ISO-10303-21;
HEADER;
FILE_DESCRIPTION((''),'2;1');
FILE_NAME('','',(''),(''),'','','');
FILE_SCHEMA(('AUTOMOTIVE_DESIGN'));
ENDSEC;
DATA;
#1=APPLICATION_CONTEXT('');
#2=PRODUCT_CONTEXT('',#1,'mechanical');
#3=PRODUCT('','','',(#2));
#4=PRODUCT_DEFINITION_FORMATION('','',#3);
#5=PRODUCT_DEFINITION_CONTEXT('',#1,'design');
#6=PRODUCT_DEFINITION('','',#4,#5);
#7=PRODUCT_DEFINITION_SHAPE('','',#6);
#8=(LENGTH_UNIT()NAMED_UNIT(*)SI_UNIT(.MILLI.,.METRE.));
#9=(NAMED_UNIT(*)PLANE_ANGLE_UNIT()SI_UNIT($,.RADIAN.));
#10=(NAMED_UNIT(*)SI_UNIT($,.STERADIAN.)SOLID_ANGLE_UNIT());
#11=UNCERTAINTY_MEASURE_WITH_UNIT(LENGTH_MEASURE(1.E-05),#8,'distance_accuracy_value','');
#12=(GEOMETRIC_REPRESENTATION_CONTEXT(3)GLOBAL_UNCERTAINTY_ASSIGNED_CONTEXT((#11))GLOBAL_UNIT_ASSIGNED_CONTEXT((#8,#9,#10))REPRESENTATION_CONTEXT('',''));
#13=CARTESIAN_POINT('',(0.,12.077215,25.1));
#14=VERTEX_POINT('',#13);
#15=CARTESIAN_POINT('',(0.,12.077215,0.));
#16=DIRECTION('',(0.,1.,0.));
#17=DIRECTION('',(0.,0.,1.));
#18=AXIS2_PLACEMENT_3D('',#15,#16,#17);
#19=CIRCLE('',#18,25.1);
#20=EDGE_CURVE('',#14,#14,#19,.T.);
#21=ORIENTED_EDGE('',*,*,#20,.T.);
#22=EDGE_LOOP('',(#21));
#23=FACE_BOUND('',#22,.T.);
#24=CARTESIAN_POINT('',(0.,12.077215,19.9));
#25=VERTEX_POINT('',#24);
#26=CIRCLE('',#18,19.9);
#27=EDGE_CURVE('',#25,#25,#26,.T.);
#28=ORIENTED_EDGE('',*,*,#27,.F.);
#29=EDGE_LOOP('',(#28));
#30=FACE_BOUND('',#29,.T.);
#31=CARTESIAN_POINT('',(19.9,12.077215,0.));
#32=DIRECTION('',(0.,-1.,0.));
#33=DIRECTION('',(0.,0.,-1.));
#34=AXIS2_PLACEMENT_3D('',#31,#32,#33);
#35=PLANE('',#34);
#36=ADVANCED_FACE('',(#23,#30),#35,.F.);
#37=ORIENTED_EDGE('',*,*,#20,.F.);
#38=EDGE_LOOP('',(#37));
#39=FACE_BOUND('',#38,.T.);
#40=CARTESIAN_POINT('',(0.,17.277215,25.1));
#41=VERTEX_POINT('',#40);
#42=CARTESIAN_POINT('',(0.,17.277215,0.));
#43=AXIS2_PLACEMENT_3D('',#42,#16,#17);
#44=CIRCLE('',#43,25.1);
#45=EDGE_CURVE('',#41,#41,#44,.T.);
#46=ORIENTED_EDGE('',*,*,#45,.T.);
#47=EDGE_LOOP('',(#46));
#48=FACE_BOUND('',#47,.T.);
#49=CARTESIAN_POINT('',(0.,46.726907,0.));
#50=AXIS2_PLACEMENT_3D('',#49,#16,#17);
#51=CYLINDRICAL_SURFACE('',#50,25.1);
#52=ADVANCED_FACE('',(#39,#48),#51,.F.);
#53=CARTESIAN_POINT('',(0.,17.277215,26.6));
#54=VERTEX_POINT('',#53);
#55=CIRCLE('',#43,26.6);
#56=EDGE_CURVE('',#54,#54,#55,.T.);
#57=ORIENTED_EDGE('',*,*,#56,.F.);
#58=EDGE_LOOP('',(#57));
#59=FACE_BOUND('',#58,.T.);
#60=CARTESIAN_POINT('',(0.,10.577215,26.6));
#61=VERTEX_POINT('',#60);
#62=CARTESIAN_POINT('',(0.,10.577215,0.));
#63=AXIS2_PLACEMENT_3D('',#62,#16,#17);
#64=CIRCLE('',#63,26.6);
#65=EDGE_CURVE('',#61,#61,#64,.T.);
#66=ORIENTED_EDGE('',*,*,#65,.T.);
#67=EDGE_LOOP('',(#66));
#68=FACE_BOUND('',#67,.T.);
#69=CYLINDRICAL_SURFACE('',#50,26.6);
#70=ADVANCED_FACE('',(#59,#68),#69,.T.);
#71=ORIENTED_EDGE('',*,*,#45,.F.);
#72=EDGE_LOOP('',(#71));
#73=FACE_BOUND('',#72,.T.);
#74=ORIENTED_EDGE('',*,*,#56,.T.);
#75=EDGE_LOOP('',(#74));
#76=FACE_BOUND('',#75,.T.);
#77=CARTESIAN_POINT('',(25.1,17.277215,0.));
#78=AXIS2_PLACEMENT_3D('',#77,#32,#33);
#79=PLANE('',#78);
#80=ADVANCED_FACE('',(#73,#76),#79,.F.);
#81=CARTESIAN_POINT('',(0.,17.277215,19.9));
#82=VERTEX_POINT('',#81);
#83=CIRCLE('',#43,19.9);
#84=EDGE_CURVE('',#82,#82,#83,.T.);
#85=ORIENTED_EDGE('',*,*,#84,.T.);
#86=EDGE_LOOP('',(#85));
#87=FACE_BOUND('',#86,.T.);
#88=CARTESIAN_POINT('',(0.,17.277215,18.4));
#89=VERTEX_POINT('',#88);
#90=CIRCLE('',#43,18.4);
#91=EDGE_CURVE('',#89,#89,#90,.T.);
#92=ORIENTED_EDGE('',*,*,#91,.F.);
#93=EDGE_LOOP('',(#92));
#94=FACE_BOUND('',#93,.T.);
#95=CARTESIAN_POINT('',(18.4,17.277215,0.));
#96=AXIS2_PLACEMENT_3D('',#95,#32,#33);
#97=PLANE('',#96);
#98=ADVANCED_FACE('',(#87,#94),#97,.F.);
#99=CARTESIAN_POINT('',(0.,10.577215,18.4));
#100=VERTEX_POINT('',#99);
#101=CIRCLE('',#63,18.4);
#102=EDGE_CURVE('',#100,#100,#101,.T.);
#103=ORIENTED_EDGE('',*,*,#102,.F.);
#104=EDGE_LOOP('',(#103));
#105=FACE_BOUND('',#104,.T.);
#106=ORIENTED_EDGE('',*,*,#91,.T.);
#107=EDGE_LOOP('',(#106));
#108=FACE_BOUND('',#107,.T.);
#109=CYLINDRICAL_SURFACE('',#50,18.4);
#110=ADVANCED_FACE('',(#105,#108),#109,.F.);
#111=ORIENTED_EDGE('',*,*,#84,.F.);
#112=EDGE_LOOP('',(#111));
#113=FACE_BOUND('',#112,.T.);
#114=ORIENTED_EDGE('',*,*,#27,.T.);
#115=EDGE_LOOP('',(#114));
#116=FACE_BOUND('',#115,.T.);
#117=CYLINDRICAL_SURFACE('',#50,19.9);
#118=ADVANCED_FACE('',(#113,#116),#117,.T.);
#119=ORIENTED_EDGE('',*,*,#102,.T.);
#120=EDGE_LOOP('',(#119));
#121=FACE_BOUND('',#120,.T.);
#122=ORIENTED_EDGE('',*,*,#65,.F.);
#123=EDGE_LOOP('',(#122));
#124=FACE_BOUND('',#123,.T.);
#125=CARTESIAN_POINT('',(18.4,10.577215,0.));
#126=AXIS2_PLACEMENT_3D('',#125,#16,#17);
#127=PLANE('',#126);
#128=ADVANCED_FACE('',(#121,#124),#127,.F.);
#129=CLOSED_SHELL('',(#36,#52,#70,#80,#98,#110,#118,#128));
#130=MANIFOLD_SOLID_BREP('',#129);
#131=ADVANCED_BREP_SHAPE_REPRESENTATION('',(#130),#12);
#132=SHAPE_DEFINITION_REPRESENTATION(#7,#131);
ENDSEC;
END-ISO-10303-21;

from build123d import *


with BuildPart() as part:
    # 草图1 → 旋转1 (revolve)
    with BuildSketch(Plane.XY, mode=Mode.PRIVATE) as revolve_1_sk:
        Polygon((19.9, 17.277214827), (19.9, 12.077214827), (25.1, 12.077214827), (25.1, 17.277214827), (26.6, 17.277214827), (26.6, 10.577214827), (18.4, 10.577214827), (18.4, 17.277214827), align=None)
    revolve(revolve_1_sk.sketch.rotate(Axis((0, 46.726906893, 0), (0, -1, 0)), 90), axis=Axis((0, 46.726906893, 0), (0, -1, 0)))


solid = part.part
